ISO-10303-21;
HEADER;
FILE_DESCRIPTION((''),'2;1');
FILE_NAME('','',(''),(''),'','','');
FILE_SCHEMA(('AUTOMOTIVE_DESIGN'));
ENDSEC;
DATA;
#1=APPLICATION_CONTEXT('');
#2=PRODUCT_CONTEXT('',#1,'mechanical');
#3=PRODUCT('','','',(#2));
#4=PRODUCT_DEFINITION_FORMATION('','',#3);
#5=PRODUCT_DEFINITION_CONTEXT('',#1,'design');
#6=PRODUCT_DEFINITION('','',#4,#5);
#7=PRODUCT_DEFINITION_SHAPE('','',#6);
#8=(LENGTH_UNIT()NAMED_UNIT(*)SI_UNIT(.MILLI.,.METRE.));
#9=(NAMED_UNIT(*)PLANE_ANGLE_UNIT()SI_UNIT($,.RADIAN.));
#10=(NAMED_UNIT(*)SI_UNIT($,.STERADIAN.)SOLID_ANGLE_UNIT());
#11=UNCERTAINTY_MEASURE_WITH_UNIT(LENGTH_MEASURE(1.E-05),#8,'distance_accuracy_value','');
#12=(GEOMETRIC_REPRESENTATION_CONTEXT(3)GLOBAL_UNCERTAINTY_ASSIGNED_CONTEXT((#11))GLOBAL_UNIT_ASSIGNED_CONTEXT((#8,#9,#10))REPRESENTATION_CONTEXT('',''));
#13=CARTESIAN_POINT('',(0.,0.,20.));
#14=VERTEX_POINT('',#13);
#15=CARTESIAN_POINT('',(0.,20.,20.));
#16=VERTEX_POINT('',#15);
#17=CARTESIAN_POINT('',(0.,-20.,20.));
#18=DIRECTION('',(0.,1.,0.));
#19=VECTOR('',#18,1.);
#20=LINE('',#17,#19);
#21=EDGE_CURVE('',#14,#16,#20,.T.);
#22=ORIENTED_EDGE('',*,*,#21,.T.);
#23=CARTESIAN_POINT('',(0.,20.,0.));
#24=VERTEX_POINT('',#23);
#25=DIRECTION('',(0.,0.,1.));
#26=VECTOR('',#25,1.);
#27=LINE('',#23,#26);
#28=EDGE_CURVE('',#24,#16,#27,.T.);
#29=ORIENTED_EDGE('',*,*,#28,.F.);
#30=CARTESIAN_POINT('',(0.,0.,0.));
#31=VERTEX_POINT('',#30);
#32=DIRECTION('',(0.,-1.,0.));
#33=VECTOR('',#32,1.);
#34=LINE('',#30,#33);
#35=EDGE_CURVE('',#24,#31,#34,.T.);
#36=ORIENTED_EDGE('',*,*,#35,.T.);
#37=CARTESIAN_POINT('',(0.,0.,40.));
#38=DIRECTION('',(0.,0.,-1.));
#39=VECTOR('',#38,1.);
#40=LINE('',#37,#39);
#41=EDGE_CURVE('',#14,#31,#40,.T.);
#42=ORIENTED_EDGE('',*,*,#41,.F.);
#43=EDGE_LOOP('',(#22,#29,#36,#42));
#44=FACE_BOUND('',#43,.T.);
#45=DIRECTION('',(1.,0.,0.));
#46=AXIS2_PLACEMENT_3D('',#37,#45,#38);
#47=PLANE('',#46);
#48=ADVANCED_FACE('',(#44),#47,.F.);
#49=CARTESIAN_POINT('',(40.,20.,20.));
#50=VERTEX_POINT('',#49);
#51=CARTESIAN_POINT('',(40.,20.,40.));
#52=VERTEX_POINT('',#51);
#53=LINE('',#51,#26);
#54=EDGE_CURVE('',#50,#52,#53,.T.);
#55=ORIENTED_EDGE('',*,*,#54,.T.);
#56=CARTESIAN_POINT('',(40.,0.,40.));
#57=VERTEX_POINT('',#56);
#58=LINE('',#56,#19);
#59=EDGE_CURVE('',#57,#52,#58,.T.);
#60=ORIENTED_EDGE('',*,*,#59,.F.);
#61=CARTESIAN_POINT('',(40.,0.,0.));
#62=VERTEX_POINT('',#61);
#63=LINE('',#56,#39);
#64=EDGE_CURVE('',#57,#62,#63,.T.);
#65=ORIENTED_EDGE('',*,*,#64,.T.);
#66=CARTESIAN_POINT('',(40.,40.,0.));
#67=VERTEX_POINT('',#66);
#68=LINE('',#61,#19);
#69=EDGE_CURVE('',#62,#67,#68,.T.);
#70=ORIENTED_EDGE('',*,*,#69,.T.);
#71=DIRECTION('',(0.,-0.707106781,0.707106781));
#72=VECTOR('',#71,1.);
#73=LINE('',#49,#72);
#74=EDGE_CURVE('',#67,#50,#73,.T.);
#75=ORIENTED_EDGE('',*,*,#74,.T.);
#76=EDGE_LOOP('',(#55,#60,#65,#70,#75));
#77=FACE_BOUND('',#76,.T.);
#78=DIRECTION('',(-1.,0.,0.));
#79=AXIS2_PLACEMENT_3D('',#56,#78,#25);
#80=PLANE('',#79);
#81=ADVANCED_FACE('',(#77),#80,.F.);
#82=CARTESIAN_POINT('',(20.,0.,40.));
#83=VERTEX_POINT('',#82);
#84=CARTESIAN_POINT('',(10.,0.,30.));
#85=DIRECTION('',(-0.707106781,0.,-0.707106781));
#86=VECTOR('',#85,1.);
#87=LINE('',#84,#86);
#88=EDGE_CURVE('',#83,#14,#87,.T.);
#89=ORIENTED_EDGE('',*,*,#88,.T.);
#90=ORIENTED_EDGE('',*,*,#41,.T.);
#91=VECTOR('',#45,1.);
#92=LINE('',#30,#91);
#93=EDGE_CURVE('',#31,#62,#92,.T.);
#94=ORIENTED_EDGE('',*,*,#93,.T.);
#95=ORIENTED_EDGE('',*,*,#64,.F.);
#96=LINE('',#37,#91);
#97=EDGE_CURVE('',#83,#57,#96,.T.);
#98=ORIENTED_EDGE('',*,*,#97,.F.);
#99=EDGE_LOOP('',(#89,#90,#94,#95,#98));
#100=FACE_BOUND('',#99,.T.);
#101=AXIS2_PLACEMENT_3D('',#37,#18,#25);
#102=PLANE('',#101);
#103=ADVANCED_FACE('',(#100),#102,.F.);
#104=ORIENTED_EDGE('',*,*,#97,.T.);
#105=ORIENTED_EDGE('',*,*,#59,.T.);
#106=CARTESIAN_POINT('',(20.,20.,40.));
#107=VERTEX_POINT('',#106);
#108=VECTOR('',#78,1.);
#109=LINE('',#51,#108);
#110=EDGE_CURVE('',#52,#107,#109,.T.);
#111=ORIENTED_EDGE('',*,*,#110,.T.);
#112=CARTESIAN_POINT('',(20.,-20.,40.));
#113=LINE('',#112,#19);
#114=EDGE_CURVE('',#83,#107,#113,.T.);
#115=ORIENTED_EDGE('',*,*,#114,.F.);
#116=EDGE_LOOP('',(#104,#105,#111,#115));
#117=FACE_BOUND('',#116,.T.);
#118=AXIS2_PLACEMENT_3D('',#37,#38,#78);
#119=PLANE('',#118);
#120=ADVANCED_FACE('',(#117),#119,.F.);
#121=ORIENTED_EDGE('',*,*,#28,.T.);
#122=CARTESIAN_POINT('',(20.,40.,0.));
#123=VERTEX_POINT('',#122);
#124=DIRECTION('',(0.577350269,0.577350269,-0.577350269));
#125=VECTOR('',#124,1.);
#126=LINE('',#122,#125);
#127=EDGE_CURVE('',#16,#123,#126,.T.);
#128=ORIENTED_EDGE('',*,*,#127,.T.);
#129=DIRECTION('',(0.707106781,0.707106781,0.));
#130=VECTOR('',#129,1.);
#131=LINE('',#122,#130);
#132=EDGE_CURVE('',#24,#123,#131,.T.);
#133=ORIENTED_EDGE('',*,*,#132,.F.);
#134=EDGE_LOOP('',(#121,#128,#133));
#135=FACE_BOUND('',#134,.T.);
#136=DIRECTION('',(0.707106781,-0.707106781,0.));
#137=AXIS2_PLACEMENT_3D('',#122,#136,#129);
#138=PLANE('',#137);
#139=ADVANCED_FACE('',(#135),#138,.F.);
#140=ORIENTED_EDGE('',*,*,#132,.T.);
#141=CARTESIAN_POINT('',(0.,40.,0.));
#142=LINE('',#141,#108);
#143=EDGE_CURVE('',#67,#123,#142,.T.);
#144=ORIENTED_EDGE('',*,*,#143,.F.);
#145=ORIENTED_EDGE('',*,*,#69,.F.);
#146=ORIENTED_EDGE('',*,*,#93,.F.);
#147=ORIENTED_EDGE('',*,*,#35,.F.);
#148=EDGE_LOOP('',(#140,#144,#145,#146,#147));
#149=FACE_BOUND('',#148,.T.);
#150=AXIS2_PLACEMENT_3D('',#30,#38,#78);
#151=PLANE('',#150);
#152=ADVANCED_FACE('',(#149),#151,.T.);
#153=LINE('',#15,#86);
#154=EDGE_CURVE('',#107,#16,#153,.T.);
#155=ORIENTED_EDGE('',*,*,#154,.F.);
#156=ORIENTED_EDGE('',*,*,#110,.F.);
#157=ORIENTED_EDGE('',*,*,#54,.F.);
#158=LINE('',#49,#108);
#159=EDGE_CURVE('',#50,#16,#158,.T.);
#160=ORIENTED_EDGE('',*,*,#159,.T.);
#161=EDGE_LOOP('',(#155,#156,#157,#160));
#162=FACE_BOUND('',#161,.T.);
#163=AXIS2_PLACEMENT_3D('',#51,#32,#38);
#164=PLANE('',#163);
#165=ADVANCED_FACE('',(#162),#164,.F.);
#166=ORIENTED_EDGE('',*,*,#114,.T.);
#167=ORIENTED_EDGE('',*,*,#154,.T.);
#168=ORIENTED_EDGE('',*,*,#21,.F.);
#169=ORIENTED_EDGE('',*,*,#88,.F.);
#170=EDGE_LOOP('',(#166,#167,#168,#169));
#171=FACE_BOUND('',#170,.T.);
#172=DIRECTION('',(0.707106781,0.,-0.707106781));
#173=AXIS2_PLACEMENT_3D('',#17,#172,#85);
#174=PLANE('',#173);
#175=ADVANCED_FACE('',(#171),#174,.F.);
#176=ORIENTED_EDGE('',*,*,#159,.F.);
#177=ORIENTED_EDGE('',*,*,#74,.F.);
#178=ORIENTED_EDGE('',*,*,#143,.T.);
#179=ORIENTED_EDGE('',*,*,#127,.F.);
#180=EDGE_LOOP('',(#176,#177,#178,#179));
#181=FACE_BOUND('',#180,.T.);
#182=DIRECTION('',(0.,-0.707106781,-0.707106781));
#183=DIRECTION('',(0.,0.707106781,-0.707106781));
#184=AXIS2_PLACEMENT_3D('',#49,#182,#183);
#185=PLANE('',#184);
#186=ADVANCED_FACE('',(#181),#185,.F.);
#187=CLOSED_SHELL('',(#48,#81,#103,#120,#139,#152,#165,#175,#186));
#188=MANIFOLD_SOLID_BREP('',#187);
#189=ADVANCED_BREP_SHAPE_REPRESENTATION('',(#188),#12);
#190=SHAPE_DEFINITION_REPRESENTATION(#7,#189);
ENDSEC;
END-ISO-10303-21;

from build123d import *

# Parameters (mm, degrees)
SKETCH1_W           = 40
SKETCH1_H           = 40
BOSS_EXTRUDE1_DEPTH = 40
CUT_EXTRUDE1_DEPTH  = 40
CUT_EXTRUDE2_DEPTH  = 40
CUT_EXTRUDE3_DEPTH  = 40


with BuildPart() as part:
    # Sketch1 → Boss-Extrude1 (new body)
    with BuildSketch(Plane.XY):
        with Locations((20, 20)):
            Rectangle(SKETCH1_W, SKETCH1_H)
    extrude(amount=BOSS_EXTRUDE1_DEPTH)

    # Sketch2 → Cut-Extrude1 (cut)
    with BuildSketch(Plane.XY.offset(40)):
        Polygon((0, 20), (0, 40), (20, 40), align=None)
    extrude(amount=-CUT_EXTRUDE1_DEPTH, mode=Mode.SUBTRACT)

    # Sketch3 → Cut-Extrude2 (cut)
    with BuildSketch(Plane.ZY):
        Polygon((40, 20), (20, 20), (0, 40), (40, 40), align=None)
    extrude(amount=-CUT_EXTRUDE2_DEPTH, mode=Mode.SUBTRACT)

    # Sketch4 → Cut-Extrude3 (cut)
    with BuildSketch(Plane(origin=(0, 20, 0), x_dir=(1, 0, 0), z_dir=(0, 1, 0))):
        Polygon((0, -20), (20, -40), (0, -40), align=None)
    extrude(amount=-CUT_EXTRUDE3_DEPTH, mode=Mode.SUBTRACT)


solid = part.part
